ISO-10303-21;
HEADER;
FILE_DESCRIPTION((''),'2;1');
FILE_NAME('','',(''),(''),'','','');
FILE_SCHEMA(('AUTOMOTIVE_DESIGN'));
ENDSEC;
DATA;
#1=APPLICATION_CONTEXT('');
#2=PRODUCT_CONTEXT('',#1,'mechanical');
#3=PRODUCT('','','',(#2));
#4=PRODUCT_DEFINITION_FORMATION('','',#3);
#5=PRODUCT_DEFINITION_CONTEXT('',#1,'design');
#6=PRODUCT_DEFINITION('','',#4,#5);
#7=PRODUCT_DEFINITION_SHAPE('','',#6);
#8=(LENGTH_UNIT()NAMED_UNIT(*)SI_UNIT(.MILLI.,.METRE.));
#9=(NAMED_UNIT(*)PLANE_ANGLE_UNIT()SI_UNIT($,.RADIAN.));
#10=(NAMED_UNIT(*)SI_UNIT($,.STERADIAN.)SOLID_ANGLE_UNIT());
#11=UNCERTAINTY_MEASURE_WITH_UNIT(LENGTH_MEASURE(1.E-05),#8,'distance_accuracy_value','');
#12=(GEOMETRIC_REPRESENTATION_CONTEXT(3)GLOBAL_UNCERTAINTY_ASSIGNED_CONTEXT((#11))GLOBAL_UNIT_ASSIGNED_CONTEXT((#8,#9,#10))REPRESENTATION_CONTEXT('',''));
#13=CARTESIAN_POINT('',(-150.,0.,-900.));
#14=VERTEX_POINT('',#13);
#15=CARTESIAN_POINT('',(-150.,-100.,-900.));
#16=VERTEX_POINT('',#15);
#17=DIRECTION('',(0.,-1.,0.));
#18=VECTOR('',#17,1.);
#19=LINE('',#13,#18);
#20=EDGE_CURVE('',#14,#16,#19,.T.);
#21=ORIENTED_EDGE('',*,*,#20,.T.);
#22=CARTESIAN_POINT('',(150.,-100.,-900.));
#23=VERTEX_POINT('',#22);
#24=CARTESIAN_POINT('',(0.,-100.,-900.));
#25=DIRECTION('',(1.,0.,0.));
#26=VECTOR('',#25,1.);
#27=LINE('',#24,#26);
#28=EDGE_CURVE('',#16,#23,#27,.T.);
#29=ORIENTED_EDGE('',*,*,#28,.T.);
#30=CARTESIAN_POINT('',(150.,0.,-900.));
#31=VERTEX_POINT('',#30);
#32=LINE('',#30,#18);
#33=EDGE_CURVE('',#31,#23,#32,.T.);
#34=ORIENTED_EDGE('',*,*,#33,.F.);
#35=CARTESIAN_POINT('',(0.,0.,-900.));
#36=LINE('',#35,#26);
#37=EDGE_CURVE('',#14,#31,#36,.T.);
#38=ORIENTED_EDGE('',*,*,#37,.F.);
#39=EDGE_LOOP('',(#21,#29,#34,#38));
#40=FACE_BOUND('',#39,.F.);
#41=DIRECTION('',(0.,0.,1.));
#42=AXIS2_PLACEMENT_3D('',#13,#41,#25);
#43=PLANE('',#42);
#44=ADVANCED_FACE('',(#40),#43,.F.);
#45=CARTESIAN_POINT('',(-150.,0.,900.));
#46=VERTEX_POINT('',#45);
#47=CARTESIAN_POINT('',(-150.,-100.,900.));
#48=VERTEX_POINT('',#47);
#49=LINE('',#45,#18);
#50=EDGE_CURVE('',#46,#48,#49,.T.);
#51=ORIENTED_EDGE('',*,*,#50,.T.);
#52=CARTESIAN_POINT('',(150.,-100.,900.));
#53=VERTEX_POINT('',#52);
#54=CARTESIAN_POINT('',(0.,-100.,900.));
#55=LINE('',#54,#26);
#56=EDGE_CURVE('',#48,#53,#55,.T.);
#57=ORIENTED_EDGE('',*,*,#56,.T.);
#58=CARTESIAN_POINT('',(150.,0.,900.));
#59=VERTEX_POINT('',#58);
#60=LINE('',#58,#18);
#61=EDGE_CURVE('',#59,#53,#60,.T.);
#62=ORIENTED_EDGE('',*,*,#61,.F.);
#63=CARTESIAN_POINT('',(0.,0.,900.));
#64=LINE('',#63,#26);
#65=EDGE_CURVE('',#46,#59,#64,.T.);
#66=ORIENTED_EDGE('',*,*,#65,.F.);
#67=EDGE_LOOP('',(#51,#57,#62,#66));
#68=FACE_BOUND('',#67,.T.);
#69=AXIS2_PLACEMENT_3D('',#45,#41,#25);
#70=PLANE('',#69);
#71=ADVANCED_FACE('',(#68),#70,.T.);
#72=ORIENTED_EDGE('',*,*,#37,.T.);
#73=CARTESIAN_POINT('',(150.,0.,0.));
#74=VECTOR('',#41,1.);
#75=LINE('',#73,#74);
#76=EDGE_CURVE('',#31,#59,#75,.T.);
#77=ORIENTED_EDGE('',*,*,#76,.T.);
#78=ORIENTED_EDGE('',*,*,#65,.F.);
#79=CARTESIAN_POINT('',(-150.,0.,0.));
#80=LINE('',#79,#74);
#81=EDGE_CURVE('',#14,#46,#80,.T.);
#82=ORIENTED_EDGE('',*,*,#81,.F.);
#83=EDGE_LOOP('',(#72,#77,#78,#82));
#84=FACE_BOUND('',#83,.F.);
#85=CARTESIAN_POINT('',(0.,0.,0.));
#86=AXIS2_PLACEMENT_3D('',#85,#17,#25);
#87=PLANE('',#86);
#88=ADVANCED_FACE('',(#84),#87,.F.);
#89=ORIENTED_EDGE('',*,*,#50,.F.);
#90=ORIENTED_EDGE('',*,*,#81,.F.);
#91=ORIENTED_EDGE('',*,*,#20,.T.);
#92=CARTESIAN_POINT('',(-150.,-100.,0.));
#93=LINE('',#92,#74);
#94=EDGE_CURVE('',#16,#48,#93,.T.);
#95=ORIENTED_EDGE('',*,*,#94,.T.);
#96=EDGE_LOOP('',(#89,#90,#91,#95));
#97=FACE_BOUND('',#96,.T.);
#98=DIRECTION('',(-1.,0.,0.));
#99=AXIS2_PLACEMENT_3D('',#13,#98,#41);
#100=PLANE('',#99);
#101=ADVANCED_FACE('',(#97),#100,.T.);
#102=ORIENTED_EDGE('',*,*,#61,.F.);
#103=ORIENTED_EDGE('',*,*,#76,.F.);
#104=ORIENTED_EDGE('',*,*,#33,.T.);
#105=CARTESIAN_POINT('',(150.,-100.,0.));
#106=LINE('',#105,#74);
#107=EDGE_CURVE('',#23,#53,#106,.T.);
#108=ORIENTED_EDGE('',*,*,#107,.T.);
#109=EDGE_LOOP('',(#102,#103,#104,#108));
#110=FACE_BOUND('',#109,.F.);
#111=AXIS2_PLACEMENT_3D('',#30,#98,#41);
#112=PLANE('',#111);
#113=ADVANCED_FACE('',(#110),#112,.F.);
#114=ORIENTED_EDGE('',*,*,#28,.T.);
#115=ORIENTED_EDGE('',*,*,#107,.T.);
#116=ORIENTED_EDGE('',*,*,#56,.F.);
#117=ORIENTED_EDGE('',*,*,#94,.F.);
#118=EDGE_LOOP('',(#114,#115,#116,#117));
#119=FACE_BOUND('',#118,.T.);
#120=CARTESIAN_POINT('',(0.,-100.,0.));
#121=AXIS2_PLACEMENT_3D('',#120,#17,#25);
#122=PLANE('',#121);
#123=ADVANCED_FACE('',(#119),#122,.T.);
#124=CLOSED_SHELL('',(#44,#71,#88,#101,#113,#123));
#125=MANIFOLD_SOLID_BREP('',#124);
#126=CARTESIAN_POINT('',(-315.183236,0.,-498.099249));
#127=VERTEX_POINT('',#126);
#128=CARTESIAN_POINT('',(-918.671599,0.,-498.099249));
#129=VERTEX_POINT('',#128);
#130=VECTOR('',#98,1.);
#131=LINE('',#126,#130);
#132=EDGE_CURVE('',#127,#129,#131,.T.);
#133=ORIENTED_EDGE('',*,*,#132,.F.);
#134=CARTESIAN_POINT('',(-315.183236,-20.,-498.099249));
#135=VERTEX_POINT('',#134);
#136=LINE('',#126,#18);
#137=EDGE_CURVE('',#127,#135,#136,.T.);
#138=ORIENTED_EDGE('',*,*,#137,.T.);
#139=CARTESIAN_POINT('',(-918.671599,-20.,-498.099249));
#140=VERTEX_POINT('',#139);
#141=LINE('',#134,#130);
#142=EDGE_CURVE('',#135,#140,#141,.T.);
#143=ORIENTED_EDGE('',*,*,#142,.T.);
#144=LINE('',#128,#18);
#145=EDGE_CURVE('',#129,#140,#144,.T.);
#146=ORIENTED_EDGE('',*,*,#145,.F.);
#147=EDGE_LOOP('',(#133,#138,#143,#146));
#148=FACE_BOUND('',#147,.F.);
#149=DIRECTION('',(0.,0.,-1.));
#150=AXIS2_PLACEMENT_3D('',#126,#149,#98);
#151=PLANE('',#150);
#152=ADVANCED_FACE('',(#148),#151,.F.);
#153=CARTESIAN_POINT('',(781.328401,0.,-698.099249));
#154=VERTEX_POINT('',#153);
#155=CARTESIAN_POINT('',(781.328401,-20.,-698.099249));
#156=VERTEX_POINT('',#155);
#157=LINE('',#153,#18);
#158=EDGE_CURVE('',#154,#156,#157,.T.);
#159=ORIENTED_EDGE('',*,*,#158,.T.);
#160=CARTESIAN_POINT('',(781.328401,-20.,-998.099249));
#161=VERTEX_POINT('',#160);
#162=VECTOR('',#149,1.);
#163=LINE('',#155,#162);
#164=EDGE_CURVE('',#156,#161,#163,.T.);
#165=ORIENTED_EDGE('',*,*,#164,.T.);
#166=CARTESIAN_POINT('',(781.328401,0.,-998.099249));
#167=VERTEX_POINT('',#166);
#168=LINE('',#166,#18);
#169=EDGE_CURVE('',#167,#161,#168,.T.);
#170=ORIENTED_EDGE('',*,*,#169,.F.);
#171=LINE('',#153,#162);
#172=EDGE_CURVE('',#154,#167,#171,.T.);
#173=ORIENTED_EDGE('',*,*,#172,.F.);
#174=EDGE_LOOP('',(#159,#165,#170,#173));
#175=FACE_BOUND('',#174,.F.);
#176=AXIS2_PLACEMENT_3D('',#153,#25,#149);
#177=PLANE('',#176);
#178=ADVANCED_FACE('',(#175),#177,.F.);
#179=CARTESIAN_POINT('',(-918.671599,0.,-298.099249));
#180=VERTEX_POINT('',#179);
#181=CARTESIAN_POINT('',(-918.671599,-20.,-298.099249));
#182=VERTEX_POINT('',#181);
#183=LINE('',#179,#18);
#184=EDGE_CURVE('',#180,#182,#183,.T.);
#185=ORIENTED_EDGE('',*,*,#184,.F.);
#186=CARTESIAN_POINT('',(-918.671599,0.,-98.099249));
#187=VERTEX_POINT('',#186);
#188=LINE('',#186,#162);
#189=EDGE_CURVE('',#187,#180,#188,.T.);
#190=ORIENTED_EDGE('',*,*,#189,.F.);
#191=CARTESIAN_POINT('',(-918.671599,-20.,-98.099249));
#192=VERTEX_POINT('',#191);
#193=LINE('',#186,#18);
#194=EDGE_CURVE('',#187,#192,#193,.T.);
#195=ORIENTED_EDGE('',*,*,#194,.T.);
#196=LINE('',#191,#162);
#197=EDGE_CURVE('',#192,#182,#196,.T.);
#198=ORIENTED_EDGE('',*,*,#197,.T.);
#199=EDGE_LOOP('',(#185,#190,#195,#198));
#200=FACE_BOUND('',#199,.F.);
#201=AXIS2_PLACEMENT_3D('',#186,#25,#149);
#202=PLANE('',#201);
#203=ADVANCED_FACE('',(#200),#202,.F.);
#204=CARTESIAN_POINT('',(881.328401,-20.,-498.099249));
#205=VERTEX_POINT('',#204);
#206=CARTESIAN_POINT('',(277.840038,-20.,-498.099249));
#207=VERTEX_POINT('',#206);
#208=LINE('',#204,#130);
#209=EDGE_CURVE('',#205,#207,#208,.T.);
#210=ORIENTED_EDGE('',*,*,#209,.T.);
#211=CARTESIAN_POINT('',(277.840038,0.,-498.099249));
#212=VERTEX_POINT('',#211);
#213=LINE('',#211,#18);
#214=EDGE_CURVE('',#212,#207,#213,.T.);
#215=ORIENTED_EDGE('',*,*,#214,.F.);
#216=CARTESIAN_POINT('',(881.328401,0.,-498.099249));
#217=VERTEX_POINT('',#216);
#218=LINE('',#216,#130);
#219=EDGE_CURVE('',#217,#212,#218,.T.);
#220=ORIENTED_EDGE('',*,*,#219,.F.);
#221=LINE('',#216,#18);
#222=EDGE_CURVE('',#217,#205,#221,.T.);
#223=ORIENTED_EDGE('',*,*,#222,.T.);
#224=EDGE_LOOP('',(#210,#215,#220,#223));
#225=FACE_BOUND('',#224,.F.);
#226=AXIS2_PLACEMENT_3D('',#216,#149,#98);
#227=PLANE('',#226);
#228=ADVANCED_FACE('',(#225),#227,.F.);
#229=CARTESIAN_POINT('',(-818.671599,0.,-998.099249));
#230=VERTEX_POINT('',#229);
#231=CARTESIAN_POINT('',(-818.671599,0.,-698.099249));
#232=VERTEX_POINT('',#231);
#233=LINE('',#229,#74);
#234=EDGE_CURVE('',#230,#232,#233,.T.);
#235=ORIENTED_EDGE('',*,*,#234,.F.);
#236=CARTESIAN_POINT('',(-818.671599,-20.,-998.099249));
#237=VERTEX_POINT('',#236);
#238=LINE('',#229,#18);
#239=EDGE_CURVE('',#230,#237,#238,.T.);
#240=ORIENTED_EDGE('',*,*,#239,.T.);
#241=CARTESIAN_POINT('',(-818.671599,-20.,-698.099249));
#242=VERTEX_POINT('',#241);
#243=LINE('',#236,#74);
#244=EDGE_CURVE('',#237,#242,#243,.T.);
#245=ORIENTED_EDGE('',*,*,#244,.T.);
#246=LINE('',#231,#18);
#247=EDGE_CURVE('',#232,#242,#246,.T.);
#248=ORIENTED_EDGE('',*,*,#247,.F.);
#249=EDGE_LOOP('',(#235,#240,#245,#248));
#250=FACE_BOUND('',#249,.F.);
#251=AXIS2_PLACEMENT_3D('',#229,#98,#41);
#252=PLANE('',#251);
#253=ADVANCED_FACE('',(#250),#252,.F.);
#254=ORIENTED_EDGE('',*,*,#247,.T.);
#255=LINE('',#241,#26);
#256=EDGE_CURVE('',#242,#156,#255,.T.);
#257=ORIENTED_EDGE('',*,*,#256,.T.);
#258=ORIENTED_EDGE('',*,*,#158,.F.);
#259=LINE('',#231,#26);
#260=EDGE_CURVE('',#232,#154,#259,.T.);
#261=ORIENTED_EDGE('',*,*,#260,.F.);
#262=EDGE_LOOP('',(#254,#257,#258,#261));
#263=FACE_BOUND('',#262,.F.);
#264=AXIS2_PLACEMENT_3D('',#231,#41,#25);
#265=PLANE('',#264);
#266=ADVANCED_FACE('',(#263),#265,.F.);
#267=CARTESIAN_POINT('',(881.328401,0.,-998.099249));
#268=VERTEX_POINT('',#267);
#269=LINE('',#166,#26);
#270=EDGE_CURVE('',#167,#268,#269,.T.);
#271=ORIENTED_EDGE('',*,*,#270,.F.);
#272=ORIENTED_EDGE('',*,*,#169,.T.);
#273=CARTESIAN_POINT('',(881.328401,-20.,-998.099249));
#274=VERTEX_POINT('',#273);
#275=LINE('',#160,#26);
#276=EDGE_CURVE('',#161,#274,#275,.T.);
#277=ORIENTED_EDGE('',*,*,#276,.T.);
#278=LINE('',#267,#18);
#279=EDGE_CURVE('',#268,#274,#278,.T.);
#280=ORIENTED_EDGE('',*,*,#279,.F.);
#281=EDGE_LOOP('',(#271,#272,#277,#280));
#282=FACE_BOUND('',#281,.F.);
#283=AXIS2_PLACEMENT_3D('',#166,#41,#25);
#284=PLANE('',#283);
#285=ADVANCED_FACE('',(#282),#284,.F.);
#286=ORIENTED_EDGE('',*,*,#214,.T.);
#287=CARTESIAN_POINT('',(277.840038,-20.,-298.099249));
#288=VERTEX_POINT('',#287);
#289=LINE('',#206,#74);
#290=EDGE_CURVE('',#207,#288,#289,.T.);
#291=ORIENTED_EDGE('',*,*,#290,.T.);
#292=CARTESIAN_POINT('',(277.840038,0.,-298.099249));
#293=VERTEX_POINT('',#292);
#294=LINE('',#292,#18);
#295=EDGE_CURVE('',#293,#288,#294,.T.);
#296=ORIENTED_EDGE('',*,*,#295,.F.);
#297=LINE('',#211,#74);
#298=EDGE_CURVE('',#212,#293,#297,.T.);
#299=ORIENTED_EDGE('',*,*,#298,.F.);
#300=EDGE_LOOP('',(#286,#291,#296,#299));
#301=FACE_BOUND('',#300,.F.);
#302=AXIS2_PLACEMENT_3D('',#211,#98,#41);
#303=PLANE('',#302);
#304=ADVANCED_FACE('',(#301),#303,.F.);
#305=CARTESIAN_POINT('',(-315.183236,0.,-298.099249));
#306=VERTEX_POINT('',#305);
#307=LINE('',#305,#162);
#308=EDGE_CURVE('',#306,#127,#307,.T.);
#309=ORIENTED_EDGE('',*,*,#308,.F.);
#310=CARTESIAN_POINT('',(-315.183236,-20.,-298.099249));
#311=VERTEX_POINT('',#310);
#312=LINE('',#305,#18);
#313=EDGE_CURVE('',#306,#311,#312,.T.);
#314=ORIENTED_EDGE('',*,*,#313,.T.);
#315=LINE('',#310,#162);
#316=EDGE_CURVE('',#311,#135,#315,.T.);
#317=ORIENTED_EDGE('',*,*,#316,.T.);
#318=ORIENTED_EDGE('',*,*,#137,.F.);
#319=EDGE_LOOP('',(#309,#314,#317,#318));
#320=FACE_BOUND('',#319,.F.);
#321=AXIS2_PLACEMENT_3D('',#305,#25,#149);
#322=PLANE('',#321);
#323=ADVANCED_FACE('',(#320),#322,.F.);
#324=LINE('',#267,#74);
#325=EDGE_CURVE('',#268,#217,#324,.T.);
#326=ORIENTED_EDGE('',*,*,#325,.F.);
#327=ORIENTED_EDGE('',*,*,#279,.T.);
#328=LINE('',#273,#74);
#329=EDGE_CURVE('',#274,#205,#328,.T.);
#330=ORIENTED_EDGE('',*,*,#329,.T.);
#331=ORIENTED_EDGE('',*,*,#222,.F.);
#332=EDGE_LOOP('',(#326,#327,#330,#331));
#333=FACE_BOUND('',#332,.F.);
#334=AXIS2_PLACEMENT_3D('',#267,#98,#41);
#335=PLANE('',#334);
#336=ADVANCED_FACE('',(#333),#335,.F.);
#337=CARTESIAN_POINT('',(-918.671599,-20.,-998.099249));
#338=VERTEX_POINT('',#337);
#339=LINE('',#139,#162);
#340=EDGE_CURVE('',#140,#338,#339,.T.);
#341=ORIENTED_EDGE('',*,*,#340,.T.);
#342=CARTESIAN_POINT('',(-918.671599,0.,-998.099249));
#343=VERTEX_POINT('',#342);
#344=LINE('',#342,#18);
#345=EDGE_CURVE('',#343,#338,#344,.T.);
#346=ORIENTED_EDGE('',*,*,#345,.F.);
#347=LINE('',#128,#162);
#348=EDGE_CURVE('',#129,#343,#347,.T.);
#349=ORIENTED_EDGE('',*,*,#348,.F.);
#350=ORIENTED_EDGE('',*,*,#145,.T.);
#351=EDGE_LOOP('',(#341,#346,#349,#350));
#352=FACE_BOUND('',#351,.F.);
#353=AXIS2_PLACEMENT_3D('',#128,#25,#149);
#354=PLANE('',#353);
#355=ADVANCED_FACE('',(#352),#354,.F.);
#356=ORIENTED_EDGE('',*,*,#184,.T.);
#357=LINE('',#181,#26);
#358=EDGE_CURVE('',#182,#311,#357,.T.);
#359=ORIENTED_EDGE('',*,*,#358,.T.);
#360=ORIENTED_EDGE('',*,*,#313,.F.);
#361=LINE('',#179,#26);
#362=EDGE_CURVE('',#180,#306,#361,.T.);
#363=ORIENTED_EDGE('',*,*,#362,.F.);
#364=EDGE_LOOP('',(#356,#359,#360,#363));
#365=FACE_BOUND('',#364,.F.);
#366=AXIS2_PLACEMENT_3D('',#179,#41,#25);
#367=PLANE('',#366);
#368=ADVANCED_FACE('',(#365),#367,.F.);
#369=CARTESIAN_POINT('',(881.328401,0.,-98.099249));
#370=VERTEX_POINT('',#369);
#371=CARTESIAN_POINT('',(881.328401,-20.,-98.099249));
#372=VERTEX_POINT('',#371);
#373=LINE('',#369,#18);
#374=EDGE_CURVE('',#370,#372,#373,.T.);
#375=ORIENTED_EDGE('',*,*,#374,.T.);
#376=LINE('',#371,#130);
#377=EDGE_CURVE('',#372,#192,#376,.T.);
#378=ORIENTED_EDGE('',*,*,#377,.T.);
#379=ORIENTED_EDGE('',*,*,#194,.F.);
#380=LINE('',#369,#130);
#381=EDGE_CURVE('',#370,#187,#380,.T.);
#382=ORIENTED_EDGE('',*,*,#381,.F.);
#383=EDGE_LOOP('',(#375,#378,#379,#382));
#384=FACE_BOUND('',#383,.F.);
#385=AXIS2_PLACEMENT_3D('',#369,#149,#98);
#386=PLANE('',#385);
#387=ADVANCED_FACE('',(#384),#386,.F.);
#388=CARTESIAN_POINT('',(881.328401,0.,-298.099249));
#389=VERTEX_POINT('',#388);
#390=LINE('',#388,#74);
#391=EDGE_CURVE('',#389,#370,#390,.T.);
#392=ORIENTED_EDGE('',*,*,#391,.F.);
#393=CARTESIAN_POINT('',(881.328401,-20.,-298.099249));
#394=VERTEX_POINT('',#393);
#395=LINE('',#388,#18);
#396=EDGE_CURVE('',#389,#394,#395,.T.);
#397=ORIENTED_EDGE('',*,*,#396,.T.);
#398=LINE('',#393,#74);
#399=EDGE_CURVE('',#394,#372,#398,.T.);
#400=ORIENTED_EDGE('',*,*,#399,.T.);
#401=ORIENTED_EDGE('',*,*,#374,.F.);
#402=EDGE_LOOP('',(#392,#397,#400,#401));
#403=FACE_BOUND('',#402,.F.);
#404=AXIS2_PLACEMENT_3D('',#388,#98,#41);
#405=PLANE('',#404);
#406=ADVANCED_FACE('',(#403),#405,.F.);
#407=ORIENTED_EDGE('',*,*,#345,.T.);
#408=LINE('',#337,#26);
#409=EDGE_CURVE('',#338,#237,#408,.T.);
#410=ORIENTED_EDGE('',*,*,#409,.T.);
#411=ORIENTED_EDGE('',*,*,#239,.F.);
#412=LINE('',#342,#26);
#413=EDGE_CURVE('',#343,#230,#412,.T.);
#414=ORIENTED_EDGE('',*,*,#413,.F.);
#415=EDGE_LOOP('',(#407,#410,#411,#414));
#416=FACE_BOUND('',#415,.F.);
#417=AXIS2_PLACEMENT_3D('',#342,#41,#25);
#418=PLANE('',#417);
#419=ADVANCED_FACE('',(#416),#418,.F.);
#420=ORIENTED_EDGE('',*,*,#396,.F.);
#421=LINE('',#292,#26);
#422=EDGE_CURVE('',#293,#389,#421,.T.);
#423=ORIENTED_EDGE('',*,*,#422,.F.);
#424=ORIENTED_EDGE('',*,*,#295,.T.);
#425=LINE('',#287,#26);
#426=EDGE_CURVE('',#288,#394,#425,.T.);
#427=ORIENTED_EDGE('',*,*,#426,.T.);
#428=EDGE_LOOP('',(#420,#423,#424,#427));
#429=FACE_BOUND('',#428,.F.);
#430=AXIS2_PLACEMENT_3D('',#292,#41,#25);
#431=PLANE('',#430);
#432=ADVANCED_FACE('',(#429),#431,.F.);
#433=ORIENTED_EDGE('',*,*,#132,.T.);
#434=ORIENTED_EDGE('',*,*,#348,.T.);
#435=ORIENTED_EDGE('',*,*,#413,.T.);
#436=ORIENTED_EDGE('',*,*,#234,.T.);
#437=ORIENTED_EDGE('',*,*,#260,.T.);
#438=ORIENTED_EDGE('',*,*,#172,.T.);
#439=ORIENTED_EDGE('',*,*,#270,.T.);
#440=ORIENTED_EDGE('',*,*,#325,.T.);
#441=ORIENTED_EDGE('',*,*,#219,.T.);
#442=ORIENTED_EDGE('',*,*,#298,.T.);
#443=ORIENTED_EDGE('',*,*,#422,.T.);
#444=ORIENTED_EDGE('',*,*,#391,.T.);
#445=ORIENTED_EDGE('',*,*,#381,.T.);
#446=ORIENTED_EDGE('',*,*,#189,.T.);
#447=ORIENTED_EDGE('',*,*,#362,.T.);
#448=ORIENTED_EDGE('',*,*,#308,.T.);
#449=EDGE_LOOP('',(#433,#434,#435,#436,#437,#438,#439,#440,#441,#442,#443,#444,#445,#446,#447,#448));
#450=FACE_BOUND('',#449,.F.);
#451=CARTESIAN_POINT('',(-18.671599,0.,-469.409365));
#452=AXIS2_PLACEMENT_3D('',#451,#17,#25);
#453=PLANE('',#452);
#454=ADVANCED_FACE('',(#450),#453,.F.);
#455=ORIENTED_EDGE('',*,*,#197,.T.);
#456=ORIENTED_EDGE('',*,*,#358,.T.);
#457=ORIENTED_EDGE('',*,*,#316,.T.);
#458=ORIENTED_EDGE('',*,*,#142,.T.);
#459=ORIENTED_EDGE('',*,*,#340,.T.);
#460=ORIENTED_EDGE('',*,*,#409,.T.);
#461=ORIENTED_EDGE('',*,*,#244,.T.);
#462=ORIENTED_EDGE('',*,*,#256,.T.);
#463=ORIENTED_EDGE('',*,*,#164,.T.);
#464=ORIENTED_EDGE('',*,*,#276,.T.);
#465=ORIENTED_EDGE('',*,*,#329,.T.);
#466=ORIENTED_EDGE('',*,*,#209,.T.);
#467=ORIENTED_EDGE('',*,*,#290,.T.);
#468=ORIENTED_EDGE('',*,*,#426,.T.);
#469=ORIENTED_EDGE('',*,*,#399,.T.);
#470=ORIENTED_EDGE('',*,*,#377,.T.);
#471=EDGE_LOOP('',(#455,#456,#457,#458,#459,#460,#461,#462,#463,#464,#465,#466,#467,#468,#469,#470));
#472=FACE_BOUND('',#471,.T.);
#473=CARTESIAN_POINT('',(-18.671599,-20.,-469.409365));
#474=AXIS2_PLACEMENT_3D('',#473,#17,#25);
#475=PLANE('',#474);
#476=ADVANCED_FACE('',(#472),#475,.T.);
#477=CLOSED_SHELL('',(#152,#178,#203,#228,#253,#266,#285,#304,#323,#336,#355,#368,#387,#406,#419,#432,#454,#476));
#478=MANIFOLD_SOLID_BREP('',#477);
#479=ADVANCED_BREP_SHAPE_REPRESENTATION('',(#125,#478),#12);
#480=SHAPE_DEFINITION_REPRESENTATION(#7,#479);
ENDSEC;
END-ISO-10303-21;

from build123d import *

# Parameters (mm, degrees)
F0_W     = 300
F0_H     = 1800
F1_DEPTH = 100
F3_DEPTH = 20


with BuildPart() as f1:
    # F0 (on Front) → F1 (new body)
    with BuildSketch(Plane.XZ):
        Rectangle(F0_W, F0_H)
    extrude(amount=F1_DEPTH)


with BuildPart() as f3:
    # F2 (on Front) → F3 (new body)
    with BuildSketch(Plane.XZ):
        Polygon((-918.671599, -298.099249), (-315.183236, -298.099249), (-315.183236, -498.099249), (-918.671599, -498.099249), (-918.671599, -998.099249), (-818.671599, -998.099249), (-818.671599, -698.099249), (781.328401, -698.099249), (781.328401, -998.099249), (881.328401, -998.099249), (881.328401, -498.099249), (277.840038, -498.099249), (277.840038, -298.099249), (881.328401, -298.099249), (881.328401, -98.099249), (-918.671599, -98.099249), align=None)
    extrude(amount=F3_DEPTH)


solid = Compound([f1.part, f3.part])
